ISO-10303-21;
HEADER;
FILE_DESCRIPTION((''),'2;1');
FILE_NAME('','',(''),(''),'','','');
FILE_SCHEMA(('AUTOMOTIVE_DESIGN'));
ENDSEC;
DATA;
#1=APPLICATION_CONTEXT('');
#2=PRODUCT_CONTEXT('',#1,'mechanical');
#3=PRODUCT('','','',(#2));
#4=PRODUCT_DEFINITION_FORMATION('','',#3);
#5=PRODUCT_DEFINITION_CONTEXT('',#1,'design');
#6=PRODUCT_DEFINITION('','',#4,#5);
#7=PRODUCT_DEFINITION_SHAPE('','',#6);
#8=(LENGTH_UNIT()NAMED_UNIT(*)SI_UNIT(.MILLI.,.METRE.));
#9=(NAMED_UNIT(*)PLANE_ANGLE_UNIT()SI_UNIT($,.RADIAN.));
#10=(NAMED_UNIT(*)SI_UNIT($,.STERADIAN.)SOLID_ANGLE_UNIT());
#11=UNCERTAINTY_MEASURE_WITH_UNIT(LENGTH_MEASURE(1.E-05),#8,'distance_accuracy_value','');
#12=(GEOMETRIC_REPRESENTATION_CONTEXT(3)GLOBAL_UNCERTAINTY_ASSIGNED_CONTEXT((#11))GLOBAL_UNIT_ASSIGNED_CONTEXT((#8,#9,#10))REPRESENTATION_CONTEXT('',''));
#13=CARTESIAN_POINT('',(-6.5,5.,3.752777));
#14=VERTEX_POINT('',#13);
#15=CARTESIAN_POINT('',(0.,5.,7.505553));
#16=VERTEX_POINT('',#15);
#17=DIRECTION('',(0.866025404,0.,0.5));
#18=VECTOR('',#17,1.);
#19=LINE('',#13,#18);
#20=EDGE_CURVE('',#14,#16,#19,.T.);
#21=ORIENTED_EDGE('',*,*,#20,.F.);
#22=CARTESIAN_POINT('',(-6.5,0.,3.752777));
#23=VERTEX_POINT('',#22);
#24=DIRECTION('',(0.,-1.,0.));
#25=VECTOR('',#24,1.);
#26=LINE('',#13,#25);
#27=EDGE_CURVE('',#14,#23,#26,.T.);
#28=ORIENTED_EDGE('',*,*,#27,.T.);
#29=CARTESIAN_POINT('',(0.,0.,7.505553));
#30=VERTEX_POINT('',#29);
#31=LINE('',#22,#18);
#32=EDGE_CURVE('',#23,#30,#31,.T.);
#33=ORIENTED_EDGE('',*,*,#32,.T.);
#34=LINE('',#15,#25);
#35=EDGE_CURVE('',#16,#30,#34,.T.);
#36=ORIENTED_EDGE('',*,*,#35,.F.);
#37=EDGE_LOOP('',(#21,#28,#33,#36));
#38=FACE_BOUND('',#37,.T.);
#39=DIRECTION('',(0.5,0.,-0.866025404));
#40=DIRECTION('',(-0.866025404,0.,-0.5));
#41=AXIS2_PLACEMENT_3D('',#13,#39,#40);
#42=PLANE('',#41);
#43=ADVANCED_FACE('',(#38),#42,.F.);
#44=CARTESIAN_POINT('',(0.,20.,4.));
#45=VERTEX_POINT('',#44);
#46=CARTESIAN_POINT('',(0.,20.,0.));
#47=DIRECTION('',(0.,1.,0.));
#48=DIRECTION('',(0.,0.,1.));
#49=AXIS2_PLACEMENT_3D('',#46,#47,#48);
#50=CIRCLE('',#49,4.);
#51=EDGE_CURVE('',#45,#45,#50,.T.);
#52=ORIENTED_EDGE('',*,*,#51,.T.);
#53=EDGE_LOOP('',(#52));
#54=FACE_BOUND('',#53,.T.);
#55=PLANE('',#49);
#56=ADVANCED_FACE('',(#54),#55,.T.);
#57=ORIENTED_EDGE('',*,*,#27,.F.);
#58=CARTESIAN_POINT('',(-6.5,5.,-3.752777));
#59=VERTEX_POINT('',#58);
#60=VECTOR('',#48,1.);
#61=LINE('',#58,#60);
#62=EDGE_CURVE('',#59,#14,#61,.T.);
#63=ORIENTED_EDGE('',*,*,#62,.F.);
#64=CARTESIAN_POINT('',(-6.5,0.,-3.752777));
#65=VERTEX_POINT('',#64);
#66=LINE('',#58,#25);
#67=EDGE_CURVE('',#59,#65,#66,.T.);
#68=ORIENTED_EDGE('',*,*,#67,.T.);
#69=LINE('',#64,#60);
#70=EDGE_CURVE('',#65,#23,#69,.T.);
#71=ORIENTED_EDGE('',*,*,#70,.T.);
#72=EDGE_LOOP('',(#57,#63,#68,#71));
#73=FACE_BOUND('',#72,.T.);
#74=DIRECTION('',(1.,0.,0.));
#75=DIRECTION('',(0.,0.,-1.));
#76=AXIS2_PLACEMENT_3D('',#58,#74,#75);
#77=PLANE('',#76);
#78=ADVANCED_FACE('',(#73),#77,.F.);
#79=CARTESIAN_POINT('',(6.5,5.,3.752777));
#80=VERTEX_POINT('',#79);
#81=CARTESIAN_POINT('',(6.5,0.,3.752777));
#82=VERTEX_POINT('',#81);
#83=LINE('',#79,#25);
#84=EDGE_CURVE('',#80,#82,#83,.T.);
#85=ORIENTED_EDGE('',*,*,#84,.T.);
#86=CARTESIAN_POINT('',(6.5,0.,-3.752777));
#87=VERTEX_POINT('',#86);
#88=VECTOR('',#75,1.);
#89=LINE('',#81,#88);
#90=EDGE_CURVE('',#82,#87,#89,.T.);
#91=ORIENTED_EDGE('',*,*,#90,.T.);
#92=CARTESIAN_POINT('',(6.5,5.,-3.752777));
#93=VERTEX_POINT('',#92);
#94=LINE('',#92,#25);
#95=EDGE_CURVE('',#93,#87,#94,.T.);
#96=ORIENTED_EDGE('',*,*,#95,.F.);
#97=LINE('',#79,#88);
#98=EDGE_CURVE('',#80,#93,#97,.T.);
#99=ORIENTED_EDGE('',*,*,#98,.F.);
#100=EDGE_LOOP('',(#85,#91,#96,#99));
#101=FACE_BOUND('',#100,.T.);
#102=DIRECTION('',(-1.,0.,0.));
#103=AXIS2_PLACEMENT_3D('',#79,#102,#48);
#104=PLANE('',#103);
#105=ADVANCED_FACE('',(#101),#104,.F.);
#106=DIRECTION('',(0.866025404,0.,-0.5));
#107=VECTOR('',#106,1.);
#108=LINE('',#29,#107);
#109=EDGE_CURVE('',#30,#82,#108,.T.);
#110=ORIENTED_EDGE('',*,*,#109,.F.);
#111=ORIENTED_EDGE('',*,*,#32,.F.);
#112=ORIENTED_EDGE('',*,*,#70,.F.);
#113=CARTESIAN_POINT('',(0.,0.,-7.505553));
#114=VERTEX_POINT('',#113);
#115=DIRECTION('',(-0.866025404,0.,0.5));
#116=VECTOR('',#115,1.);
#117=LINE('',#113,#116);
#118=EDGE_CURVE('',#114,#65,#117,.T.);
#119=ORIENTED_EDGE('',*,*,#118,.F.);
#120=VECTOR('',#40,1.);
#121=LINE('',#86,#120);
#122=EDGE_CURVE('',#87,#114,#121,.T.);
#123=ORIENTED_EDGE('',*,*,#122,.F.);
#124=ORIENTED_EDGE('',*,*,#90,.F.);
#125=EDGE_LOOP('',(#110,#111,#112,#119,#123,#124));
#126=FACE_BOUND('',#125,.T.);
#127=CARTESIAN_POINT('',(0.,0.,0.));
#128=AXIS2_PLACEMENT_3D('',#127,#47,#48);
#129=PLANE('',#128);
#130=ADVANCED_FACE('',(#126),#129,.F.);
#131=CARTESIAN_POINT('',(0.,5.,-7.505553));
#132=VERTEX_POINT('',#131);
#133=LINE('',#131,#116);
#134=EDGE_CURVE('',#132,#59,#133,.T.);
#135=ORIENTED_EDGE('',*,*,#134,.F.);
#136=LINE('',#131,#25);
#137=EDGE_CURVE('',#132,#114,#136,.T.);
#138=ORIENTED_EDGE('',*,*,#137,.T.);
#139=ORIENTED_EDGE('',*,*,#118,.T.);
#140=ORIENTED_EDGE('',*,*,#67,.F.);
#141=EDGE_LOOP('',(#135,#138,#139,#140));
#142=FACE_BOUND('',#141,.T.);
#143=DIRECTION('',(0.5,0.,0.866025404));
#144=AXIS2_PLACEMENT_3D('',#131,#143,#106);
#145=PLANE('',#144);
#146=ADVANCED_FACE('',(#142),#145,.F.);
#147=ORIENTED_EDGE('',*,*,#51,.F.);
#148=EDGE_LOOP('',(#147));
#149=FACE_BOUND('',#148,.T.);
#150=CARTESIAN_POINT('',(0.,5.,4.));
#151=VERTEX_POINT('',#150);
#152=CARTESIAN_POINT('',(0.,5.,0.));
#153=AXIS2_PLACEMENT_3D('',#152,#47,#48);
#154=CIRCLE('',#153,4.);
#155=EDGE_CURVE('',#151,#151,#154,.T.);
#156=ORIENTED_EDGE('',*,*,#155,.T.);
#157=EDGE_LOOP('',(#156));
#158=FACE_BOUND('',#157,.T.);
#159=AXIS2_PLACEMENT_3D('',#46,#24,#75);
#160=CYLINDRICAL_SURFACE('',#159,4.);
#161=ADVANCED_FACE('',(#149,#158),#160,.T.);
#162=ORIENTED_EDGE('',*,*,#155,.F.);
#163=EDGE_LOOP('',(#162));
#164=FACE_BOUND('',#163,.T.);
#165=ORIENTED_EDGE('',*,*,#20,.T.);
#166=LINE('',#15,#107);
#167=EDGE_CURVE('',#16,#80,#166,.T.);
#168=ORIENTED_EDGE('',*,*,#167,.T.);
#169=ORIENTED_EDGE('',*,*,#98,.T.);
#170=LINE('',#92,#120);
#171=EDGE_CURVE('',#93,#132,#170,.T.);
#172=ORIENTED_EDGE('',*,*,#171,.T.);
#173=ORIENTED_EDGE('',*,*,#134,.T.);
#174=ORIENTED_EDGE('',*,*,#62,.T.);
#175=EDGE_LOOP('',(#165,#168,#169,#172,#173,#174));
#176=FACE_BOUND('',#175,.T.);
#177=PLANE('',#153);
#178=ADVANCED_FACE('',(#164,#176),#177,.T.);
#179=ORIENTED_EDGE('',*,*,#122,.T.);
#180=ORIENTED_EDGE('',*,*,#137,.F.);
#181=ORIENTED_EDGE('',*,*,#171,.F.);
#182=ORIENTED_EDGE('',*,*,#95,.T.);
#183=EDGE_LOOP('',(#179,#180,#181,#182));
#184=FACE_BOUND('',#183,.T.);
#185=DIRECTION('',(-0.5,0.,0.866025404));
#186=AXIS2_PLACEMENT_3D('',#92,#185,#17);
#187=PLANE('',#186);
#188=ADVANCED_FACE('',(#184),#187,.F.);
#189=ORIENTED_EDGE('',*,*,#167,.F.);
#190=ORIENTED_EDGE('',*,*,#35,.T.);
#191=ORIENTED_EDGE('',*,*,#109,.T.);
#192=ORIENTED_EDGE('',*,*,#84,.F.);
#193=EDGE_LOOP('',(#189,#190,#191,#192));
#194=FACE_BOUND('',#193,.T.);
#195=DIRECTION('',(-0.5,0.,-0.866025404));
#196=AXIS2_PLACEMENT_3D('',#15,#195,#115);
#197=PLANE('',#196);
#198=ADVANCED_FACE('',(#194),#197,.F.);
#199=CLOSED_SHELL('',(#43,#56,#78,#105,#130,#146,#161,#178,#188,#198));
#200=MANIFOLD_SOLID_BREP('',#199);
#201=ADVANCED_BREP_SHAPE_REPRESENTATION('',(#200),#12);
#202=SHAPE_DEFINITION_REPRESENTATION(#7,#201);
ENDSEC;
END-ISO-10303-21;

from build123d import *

# Parameters (mm, degrees)
BOSS_EXTRUDE1_DEPTH = 5
SKETCH2_R           = 4
BOSS_EXTRUDE2_DEPTH = 15


with BuildPart() as part:
    # Sketch1 → Boss-Extrude1 (new body)
    with BuildSketch(Plane(origin=(0, 0, 0), x_dir=(1, 0, 0), z_dir=(0, 1, 0))):
        Polygon((0, 7.505553499), (-6.5, 3.75277675), (-6.5, -3.75277675), (0, -7.505553499), (6.5, -3.75277675), (6.5, 3.75277675), align=None)
    extrude(amount=BOSS_EXTRUDE1_DEPTH)

    # Sketch2 → Boss-Extrude2 (add)
    with BuildSketch(Plane(origin=(0, 5, 0), x_dir=(1, 0, 0), z_dir=(0, 1, 0))):
        with Locations(Location((0, 0, 0), (0, 0, 270))):
            Circle(SKETCH2_R)
    extrude(amount=BOSS_EXTRUDE2_DEPTH)


solid = part.part
